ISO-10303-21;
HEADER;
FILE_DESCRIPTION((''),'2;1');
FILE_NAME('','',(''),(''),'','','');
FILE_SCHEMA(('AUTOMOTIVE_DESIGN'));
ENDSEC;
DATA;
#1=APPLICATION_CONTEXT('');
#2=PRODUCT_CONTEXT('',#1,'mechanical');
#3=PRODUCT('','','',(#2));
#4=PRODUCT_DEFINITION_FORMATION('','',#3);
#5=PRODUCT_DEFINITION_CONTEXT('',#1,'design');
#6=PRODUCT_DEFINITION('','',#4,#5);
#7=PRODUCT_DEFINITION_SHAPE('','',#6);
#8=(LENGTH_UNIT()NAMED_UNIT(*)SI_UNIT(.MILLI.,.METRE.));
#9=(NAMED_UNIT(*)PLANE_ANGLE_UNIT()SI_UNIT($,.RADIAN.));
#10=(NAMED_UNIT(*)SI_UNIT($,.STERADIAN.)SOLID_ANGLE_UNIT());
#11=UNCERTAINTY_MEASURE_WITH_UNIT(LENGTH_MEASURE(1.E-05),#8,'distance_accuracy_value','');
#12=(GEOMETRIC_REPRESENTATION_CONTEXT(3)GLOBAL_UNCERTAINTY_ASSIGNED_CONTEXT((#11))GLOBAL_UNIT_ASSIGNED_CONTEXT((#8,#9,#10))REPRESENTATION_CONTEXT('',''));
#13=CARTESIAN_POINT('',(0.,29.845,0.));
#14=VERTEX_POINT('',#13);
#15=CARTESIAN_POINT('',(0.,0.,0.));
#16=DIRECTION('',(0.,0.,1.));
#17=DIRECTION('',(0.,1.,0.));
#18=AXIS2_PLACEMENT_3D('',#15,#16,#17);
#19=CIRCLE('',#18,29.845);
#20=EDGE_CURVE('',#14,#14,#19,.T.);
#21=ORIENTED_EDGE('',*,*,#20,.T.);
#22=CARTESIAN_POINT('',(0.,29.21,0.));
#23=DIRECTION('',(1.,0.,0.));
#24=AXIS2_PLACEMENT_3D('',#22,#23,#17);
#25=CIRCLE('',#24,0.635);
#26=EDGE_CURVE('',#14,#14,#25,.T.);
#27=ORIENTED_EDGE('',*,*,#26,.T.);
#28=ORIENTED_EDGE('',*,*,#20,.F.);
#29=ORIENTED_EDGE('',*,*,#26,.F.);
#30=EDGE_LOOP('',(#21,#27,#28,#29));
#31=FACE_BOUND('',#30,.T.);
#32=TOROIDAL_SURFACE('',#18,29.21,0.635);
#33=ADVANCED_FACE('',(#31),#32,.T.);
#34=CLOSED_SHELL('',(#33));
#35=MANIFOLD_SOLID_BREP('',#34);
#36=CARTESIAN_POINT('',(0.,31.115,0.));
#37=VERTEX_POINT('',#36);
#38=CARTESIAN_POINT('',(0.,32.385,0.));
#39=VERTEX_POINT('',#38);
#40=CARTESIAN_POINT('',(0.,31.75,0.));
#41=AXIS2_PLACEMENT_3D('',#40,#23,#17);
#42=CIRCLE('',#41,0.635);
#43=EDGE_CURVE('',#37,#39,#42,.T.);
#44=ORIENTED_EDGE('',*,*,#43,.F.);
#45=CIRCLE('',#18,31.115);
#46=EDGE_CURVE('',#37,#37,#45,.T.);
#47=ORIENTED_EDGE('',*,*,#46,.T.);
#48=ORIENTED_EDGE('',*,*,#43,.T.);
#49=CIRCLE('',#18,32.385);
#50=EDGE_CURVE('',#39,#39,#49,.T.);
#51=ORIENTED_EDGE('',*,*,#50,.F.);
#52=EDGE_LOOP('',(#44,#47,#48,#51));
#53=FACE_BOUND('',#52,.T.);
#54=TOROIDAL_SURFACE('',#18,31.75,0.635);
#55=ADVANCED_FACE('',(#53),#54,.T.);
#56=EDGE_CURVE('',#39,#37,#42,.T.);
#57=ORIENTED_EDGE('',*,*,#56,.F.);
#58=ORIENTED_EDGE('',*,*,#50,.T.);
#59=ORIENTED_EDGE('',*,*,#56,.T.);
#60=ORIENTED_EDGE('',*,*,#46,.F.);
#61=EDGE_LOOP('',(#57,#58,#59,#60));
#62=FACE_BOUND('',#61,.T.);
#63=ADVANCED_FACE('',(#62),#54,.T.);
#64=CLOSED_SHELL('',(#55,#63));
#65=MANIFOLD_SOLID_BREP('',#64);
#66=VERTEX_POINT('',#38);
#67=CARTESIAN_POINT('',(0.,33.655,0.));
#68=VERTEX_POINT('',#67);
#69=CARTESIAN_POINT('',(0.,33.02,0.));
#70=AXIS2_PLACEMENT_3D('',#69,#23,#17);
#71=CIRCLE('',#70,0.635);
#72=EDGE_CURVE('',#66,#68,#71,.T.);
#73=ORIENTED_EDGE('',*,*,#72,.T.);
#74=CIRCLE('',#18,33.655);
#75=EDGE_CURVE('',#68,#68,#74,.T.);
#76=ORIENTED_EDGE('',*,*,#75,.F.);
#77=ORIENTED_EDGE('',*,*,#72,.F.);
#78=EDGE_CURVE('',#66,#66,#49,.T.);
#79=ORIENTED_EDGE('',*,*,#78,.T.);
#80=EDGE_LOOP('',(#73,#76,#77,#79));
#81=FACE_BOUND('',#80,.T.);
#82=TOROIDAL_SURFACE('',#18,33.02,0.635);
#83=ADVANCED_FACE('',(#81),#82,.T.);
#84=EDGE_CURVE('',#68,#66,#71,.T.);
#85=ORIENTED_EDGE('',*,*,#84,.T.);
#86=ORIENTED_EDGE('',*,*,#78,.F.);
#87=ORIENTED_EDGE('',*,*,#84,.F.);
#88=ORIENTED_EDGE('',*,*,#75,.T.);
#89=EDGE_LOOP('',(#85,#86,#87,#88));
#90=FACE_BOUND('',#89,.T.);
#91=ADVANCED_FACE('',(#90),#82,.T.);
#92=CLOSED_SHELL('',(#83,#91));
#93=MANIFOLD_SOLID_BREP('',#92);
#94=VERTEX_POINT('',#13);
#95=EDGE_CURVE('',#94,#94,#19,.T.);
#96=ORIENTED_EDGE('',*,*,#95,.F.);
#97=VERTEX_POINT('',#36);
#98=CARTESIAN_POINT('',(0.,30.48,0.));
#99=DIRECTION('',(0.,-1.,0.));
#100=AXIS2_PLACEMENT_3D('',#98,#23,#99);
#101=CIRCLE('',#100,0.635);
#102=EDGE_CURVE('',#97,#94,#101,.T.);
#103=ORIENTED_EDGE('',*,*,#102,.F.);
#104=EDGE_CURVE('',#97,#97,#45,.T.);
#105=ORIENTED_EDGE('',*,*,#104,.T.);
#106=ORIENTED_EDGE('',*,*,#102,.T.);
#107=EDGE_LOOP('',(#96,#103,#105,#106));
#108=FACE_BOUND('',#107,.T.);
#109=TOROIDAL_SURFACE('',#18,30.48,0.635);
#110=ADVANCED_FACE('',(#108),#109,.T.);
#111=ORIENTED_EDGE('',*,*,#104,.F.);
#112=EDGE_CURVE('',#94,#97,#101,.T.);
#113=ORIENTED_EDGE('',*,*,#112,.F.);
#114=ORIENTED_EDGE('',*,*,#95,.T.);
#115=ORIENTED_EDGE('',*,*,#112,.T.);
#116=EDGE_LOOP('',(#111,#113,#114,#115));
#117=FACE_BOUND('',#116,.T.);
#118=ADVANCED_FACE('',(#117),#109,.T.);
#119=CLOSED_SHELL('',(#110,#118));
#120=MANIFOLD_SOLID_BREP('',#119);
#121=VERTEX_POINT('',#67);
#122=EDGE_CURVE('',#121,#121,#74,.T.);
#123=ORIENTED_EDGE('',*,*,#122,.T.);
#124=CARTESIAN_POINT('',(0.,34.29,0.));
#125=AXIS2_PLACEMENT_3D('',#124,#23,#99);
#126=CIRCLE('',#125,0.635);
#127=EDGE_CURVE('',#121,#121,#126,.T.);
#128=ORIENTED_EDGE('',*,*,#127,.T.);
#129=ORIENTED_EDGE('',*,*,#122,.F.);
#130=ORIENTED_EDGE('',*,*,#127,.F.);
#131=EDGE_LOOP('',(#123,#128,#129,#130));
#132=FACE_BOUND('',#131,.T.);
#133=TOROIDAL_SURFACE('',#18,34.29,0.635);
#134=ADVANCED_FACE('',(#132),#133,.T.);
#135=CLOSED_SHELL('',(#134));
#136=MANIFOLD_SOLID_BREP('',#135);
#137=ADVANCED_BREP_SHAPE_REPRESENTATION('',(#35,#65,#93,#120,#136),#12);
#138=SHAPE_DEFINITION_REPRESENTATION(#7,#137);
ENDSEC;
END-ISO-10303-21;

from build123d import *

# Parameters (mm, degrees)
F0_R = 0.635


with BuildPart() as f1:
    # F0 (on Right) → F1 (revolve)
    with BuildSketch(Plane.YZ):
        with Locations((29.21, 0)):
            Circle(F0_R)
        with BuildLine():
            ThreePointArc((34.925, 0), (34.29, 0.635), (33.655, 0))
            ThreePointArc((33.655, 0), (34.29, -0.635), (34.925, 0))
        make_face()
        with BuildLine():
            ThreePointArc((33.655, 0), (33.02, 0.635), (32.385, 0))
            ThreePointArc((32.385, 0), (33.02, -0.635), (33.655, 0))
        make_face()
        with BuildLine():
            ThreePointArc((32.385, 0), (31.75, 0.635), (31.115, 0))
            ThreePointArc((31.115, 0), (31.75, -0.635), (32.385, 0))
        make_face()
        with BuildLine():
            ThreePointArc((31.115, 0), (30.48, 0.635), (29.845, 0))
            ThreePointArc((29.845, 0), (30.48, -0.635), (31.115, 0))
        make_face()
    revolve(axis=Axis((0, 0, 0.687714), (0, 0, 1)))


solid = f1.part
